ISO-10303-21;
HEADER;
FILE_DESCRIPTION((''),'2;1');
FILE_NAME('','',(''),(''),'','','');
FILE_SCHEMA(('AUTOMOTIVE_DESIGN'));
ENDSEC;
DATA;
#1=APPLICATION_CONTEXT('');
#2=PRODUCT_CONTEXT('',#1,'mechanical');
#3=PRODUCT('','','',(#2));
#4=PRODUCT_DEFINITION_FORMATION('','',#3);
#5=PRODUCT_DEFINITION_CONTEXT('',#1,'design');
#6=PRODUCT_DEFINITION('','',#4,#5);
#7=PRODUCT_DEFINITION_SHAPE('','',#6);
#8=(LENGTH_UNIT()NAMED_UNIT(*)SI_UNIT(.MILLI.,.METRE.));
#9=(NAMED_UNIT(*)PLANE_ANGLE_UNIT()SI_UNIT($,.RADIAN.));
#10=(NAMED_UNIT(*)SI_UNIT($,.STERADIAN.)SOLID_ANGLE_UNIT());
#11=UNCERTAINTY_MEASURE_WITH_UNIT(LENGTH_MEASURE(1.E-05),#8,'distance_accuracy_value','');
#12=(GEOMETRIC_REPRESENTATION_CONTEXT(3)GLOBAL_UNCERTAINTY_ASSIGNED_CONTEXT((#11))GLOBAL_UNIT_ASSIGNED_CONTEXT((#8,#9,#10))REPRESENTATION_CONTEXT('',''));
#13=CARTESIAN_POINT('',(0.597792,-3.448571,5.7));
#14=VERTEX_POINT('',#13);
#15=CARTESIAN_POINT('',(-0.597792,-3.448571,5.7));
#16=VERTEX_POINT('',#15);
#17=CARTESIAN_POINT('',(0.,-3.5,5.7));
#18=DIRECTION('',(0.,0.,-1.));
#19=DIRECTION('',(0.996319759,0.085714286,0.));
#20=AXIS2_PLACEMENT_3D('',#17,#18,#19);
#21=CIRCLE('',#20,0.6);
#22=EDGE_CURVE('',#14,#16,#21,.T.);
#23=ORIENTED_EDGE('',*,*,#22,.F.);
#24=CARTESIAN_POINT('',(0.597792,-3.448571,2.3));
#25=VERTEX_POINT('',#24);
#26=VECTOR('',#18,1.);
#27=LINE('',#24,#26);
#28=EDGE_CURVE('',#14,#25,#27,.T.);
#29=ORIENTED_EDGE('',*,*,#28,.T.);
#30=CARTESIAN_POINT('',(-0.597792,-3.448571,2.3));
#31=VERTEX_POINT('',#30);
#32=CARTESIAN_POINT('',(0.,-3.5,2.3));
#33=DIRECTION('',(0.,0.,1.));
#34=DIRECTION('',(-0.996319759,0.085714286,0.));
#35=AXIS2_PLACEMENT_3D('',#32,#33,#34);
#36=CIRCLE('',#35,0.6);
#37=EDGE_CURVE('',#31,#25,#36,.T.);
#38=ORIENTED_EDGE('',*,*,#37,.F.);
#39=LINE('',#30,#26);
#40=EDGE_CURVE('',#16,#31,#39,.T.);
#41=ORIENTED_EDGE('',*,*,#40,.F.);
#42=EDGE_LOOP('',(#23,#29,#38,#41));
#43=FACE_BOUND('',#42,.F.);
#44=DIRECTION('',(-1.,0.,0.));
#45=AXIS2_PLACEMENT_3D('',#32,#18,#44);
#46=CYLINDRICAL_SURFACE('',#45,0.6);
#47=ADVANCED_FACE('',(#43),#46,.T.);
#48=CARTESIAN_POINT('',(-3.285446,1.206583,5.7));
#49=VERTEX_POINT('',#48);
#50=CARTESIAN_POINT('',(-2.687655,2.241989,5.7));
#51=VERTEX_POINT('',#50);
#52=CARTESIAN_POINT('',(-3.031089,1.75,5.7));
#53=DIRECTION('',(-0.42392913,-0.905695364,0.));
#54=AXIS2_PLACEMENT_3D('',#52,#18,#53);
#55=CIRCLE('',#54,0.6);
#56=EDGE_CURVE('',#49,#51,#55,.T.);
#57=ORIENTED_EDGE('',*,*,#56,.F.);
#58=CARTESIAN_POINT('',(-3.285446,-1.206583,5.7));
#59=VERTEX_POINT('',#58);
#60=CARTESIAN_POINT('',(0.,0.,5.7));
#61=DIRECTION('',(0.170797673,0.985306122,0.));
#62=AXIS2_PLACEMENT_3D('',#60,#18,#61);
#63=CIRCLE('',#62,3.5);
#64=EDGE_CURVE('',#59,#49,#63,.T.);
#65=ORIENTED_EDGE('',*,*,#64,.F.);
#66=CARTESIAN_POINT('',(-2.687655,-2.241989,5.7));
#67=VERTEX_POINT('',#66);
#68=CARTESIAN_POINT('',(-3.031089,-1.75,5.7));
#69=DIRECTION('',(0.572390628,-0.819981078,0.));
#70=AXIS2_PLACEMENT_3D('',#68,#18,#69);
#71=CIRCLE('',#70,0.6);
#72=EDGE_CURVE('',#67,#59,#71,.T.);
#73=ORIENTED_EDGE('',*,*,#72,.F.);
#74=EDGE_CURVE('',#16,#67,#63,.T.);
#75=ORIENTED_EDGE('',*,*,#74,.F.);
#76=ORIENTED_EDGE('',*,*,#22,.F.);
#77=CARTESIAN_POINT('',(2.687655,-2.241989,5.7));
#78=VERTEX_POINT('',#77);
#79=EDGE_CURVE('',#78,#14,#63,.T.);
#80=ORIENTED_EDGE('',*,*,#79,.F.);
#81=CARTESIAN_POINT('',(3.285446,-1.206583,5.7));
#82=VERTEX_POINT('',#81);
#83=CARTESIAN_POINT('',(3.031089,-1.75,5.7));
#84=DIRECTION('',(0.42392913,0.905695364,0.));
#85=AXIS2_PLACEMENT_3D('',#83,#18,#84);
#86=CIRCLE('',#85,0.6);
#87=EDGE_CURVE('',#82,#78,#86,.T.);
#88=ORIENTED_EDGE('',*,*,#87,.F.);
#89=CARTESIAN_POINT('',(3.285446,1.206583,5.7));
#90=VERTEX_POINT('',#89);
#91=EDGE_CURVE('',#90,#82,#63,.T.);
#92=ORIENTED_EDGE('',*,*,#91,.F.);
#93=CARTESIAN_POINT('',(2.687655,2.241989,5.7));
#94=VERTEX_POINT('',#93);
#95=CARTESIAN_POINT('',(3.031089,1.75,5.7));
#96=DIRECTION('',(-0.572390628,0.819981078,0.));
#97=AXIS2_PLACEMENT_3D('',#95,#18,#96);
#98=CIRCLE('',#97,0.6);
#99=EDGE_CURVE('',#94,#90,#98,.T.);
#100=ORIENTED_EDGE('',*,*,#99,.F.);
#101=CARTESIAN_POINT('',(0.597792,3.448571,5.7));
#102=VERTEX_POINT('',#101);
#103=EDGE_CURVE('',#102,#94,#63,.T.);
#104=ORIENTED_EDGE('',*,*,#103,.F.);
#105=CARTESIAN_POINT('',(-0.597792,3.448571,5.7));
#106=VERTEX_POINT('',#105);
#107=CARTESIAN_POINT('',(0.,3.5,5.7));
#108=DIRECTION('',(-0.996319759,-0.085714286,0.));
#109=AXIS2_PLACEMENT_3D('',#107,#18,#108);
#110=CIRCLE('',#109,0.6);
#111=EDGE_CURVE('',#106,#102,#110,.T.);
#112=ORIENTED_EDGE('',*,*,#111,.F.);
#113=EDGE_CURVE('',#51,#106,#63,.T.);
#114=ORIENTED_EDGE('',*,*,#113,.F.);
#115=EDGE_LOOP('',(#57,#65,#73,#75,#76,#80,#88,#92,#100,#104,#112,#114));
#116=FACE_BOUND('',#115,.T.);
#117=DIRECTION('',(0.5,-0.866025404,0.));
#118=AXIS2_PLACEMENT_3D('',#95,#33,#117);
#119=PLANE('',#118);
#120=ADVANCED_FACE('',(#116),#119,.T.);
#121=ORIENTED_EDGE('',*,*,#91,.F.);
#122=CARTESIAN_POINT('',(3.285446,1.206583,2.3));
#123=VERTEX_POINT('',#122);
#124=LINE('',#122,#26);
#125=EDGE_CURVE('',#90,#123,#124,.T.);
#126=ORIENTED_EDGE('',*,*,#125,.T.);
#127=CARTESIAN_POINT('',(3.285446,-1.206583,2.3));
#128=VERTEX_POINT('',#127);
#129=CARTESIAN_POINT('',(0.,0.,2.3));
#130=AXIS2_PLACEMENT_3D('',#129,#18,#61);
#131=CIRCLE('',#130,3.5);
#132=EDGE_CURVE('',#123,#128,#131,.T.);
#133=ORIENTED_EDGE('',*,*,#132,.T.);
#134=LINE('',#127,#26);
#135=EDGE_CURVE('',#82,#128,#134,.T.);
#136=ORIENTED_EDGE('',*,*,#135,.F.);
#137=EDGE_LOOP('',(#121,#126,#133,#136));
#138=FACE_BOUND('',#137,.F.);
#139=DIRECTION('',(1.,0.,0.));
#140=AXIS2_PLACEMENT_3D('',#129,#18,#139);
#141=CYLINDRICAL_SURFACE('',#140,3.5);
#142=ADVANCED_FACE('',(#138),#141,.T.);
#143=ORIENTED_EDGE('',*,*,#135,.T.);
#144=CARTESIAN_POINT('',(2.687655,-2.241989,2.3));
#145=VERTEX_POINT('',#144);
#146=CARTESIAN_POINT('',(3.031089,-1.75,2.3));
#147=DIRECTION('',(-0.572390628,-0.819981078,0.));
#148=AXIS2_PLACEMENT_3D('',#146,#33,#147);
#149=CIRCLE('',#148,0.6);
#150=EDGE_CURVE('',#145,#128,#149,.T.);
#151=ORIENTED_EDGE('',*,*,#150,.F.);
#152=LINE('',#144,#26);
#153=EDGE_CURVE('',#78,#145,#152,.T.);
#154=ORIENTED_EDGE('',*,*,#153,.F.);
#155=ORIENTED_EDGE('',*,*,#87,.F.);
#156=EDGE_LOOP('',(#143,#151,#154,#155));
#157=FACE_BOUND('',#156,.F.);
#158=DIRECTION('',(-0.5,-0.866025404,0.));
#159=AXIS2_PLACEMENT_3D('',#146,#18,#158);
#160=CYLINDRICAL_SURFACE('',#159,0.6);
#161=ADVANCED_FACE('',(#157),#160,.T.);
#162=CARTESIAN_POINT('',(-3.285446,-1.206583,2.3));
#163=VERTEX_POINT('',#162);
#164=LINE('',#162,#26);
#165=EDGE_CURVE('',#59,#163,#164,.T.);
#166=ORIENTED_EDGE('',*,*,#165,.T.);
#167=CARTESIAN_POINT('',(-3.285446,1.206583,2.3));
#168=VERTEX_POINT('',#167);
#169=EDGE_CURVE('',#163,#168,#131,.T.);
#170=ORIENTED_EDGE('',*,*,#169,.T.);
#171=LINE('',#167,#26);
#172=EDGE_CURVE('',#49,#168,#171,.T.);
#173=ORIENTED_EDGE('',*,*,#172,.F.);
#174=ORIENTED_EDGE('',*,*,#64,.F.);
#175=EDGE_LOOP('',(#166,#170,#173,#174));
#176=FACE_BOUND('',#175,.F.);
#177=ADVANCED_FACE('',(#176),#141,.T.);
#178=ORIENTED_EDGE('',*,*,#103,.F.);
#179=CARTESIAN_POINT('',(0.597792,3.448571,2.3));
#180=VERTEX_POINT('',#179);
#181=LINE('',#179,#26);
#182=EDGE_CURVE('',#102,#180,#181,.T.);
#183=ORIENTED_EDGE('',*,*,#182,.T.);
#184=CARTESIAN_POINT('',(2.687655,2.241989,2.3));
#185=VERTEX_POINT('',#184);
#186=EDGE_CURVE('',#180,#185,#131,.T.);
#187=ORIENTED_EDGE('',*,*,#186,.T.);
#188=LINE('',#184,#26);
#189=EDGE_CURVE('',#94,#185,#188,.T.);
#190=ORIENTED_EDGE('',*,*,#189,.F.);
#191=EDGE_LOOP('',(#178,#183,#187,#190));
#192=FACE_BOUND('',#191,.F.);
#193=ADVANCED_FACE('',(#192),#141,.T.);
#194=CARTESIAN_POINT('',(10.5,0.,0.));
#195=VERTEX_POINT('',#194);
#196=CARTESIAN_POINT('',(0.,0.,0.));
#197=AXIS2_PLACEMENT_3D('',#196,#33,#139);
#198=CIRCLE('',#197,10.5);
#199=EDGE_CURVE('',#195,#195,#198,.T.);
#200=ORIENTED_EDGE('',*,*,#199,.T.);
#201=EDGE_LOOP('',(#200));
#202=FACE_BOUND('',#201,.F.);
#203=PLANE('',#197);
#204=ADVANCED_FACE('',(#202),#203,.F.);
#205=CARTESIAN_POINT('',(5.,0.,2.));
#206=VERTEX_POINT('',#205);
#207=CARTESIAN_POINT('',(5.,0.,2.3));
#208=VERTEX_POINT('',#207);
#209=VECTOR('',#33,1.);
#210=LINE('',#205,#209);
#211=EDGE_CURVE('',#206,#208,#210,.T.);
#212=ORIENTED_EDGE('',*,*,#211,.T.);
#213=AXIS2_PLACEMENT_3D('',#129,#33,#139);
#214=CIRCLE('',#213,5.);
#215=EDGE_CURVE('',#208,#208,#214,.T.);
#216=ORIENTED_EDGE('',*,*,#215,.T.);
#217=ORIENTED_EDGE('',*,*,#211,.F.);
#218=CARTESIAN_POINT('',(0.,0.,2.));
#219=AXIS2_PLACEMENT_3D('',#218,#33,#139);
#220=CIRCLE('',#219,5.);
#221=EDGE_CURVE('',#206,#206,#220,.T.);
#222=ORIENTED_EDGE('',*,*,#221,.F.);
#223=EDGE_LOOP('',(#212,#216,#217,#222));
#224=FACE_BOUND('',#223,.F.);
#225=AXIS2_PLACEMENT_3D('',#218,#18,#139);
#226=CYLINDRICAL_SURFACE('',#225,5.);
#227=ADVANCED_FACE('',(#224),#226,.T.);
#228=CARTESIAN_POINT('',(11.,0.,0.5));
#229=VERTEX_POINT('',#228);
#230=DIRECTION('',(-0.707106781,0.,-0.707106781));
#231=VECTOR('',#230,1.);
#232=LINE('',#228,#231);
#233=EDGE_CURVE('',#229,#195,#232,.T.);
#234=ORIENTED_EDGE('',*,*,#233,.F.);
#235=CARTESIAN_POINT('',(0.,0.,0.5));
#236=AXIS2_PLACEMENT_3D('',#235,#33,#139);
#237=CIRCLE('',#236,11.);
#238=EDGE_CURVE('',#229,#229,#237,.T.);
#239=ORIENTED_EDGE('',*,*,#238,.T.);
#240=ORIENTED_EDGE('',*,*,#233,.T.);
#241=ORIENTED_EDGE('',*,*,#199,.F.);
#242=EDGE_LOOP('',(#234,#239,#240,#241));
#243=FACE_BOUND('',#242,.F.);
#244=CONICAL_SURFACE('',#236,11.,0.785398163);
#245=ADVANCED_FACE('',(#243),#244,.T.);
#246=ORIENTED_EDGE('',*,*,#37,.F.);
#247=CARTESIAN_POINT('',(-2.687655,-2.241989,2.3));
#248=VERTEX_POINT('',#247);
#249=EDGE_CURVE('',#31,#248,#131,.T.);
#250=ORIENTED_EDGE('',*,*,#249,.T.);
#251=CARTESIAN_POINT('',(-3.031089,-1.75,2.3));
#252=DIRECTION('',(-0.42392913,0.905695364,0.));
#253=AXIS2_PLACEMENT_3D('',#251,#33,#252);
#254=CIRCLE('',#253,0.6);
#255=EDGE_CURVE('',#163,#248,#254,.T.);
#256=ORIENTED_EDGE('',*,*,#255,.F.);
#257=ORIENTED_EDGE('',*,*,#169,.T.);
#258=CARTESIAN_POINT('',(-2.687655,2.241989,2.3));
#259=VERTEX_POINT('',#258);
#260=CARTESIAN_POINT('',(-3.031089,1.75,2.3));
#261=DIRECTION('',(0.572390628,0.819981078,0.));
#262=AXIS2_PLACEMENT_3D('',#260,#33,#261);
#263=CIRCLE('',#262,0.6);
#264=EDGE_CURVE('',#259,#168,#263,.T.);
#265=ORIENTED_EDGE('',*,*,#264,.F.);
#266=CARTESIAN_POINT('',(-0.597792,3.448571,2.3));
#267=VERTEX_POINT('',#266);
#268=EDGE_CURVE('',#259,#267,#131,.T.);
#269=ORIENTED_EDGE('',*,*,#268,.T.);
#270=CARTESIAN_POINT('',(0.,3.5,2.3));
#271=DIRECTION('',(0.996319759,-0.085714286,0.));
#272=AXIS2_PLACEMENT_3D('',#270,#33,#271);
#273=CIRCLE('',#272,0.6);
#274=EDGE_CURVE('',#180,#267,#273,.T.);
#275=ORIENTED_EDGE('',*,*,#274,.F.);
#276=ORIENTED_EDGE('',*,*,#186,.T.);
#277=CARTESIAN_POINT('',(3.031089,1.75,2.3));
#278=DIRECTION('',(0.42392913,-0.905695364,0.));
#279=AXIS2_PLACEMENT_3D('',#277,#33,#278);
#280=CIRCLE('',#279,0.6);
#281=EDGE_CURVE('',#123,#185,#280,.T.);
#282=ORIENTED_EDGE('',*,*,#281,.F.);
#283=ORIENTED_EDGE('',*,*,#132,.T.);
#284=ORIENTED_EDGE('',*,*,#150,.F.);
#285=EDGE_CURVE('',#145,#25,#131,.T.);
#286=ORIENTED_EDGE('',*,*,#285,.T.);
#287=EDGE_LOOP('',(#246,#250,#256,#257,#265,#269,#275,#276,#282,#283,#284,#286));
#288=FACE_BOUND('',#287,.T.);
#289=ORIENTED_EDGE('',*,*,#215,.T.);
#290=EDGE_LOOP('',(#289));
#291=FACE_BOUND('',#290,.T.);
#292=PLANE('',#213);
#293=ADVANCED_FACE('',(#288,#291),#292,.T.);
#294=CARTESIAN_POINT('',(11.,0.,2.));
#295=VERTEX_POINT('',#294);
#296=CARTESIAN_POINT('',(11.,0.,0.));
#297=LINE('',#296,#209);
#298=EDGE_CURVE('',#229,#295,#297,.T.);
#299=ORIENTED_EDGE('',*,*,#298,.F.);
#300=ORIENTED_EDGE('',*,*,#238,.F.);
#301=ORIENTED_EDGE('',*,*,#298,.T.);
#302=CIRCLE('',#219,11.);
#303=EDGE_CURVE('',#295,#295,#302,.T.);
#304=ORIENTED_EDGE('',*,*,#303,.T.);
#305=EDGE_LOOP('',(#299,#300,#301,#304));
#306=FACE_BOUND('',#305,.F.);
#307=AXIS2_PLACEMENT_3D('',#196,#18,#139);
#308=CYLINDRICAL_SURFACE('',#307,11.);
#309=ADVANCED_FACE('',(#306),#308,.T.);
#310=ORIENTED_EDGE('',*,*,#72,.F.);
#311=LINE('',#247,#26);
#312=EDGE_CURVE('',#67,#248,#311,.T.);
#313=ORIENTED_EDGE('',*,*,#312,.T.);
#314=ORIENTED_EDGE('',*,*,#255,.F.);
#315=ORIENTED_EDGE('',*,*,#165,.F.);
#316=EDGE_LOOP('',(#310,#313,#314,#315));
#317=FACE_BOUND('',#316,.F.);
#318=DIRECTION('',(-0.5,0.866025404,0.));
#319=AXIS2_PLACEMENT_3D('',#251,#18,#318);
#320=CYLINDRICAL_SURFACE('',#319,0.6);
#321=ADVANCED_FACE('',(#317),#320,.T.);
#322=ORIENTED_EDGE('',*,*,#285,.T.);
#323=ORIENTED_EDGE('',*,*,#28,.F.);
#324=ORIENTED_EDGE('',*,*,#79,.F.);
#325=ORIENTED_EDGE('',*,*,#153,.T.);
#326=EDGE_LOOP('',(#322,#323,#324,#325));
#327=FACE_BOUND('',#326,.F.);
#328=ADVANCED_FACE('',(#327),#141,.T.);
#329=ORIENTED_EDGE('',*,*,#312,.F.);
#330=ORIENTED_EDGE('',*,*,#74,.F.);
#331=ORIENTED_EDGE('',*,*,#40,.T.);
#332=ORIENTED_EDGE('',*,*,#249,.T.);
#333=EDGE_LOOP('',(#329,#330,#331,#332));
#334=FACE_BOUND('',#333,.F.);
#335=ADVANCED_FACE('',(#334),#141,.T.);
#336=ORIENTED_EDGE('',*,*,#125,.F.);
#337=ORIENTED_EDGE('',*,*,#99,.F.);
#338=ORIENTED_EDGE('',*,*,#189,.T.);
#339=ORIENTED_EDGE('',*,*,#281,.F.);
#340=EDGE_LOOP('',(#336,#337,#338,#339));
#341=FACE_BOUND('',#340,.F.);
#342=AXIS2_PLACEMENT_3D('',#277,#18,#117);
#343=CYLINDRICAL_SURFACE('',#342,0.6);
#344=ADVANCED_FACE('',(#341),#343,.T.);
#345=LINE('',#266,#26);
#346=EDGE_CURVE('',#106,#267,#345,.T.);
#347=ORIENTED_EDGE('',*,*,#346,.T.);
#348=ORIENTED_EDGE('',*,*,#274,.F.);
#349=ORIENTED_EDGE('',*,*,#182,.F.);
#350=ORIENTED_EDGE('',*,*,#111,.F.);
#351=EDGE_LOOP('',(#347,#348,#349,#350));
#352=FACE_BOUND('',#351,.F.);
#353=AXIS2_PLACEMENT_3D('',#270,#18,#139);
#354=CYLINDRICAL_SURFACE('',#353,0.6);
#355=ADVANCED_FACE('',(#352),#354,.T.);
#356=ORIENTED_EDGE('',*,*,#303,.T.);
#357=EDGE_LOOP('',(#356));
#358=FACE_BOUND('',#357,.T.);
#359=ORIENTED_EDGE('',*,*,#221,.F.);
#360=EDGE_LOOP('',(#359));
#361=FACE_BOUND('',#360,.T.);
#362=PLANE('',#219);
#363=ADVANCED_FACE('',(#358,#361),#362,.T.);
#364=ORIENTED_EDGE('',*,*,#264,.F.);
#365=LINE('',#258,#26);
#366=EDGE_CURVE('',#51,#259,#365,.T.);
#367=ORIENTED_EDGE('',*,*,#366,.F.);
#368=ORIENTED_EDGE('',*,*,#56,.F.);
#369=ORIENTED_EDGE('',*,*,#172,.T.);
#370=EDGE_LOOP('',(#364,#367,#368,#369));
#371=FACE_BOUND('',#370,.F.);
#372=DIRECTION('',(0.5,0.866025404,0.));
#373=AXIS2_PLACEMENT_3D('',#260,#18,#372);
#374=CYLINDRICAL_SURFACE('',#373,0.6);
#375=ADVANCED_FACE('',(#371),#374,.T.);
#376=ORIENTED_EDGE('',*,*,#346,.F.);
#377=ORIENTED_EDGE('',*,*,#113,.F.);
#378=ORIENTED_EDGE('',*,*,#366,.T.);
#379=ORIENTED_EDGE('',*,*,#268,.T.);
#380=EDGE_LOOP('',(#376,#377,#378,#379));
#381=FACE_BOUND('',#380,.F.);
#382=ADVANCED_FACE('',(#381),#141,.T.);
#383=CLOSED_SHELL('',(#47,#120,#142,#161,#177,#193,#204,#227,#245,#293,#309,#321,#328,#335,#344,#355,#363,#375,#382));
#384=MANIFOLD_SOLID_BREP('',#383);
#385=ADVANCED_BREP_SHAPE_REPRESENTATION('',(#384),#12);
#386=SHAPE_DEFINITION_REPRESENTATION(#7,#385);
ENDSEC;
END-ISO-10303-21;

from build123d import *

# Parameters (mm, degrees)
SKETCH_R           = 11
PAD_DEPTH          = 2
CHAMFER_SIZE       = 0.5
SKETCH001_R        = 5
PAD001_DEPTH       = 0.3
SKETCH002_R        = 3.5
PAD002_DEPTH       = 3.4
SKETCH003_R        = 0.6
PAD003_DEPTH       = 3.4
POLARPATTERN_COUNT = 6


with BuildPart() as part:
    # Sketch → Pad (new body)
    with BuildSketch(Plane.XY):
        Circle(SKETCH_R)
    extrude(amount=PAD_DEPTH)

    # Chamfer
    chamfer_edges = [part.edges().sort_by_distance(p)[0] for p in [
        (-11, 0, 0),
    ]]
    chamfer(chamfer_edges, length=CHAMFER_SIZE)

    # Sketch001 → Pad001 (new body)
    with BuildSketch(Plane.XY.offset(2)):
        Circle(SKETCH001_R)
    extrude(amount=PAD001_DEPTH)

    # Sketch002 → Pad002 (new body)
    with BuildSketch(Plane.XY.offset(2.3)):
        Circle(SKETCH002_R)
    extrude(amount=PAD002_DEPTH)

    # Sketch003 → Pad003 (new body)
    with BuildSketch(Plane.XY.offset(2.3)):
        with Locations((0, 3.5)):
            Circle(SKETCH003_R)
    pad003 = extrude(amount=PAD003_DEPTH)

    # PolarPattern: Pad003 ×6 about axis
    polarpattern_axis = Axis((0, 0, 2.3), (0, 0, 1))
    for i in range(1, POLARPATTERN_COUNT):
        add(pad003.rotate(polarpattern_axis, i * 360 / POLARPATTERN_COUNT))


solid = part.part
